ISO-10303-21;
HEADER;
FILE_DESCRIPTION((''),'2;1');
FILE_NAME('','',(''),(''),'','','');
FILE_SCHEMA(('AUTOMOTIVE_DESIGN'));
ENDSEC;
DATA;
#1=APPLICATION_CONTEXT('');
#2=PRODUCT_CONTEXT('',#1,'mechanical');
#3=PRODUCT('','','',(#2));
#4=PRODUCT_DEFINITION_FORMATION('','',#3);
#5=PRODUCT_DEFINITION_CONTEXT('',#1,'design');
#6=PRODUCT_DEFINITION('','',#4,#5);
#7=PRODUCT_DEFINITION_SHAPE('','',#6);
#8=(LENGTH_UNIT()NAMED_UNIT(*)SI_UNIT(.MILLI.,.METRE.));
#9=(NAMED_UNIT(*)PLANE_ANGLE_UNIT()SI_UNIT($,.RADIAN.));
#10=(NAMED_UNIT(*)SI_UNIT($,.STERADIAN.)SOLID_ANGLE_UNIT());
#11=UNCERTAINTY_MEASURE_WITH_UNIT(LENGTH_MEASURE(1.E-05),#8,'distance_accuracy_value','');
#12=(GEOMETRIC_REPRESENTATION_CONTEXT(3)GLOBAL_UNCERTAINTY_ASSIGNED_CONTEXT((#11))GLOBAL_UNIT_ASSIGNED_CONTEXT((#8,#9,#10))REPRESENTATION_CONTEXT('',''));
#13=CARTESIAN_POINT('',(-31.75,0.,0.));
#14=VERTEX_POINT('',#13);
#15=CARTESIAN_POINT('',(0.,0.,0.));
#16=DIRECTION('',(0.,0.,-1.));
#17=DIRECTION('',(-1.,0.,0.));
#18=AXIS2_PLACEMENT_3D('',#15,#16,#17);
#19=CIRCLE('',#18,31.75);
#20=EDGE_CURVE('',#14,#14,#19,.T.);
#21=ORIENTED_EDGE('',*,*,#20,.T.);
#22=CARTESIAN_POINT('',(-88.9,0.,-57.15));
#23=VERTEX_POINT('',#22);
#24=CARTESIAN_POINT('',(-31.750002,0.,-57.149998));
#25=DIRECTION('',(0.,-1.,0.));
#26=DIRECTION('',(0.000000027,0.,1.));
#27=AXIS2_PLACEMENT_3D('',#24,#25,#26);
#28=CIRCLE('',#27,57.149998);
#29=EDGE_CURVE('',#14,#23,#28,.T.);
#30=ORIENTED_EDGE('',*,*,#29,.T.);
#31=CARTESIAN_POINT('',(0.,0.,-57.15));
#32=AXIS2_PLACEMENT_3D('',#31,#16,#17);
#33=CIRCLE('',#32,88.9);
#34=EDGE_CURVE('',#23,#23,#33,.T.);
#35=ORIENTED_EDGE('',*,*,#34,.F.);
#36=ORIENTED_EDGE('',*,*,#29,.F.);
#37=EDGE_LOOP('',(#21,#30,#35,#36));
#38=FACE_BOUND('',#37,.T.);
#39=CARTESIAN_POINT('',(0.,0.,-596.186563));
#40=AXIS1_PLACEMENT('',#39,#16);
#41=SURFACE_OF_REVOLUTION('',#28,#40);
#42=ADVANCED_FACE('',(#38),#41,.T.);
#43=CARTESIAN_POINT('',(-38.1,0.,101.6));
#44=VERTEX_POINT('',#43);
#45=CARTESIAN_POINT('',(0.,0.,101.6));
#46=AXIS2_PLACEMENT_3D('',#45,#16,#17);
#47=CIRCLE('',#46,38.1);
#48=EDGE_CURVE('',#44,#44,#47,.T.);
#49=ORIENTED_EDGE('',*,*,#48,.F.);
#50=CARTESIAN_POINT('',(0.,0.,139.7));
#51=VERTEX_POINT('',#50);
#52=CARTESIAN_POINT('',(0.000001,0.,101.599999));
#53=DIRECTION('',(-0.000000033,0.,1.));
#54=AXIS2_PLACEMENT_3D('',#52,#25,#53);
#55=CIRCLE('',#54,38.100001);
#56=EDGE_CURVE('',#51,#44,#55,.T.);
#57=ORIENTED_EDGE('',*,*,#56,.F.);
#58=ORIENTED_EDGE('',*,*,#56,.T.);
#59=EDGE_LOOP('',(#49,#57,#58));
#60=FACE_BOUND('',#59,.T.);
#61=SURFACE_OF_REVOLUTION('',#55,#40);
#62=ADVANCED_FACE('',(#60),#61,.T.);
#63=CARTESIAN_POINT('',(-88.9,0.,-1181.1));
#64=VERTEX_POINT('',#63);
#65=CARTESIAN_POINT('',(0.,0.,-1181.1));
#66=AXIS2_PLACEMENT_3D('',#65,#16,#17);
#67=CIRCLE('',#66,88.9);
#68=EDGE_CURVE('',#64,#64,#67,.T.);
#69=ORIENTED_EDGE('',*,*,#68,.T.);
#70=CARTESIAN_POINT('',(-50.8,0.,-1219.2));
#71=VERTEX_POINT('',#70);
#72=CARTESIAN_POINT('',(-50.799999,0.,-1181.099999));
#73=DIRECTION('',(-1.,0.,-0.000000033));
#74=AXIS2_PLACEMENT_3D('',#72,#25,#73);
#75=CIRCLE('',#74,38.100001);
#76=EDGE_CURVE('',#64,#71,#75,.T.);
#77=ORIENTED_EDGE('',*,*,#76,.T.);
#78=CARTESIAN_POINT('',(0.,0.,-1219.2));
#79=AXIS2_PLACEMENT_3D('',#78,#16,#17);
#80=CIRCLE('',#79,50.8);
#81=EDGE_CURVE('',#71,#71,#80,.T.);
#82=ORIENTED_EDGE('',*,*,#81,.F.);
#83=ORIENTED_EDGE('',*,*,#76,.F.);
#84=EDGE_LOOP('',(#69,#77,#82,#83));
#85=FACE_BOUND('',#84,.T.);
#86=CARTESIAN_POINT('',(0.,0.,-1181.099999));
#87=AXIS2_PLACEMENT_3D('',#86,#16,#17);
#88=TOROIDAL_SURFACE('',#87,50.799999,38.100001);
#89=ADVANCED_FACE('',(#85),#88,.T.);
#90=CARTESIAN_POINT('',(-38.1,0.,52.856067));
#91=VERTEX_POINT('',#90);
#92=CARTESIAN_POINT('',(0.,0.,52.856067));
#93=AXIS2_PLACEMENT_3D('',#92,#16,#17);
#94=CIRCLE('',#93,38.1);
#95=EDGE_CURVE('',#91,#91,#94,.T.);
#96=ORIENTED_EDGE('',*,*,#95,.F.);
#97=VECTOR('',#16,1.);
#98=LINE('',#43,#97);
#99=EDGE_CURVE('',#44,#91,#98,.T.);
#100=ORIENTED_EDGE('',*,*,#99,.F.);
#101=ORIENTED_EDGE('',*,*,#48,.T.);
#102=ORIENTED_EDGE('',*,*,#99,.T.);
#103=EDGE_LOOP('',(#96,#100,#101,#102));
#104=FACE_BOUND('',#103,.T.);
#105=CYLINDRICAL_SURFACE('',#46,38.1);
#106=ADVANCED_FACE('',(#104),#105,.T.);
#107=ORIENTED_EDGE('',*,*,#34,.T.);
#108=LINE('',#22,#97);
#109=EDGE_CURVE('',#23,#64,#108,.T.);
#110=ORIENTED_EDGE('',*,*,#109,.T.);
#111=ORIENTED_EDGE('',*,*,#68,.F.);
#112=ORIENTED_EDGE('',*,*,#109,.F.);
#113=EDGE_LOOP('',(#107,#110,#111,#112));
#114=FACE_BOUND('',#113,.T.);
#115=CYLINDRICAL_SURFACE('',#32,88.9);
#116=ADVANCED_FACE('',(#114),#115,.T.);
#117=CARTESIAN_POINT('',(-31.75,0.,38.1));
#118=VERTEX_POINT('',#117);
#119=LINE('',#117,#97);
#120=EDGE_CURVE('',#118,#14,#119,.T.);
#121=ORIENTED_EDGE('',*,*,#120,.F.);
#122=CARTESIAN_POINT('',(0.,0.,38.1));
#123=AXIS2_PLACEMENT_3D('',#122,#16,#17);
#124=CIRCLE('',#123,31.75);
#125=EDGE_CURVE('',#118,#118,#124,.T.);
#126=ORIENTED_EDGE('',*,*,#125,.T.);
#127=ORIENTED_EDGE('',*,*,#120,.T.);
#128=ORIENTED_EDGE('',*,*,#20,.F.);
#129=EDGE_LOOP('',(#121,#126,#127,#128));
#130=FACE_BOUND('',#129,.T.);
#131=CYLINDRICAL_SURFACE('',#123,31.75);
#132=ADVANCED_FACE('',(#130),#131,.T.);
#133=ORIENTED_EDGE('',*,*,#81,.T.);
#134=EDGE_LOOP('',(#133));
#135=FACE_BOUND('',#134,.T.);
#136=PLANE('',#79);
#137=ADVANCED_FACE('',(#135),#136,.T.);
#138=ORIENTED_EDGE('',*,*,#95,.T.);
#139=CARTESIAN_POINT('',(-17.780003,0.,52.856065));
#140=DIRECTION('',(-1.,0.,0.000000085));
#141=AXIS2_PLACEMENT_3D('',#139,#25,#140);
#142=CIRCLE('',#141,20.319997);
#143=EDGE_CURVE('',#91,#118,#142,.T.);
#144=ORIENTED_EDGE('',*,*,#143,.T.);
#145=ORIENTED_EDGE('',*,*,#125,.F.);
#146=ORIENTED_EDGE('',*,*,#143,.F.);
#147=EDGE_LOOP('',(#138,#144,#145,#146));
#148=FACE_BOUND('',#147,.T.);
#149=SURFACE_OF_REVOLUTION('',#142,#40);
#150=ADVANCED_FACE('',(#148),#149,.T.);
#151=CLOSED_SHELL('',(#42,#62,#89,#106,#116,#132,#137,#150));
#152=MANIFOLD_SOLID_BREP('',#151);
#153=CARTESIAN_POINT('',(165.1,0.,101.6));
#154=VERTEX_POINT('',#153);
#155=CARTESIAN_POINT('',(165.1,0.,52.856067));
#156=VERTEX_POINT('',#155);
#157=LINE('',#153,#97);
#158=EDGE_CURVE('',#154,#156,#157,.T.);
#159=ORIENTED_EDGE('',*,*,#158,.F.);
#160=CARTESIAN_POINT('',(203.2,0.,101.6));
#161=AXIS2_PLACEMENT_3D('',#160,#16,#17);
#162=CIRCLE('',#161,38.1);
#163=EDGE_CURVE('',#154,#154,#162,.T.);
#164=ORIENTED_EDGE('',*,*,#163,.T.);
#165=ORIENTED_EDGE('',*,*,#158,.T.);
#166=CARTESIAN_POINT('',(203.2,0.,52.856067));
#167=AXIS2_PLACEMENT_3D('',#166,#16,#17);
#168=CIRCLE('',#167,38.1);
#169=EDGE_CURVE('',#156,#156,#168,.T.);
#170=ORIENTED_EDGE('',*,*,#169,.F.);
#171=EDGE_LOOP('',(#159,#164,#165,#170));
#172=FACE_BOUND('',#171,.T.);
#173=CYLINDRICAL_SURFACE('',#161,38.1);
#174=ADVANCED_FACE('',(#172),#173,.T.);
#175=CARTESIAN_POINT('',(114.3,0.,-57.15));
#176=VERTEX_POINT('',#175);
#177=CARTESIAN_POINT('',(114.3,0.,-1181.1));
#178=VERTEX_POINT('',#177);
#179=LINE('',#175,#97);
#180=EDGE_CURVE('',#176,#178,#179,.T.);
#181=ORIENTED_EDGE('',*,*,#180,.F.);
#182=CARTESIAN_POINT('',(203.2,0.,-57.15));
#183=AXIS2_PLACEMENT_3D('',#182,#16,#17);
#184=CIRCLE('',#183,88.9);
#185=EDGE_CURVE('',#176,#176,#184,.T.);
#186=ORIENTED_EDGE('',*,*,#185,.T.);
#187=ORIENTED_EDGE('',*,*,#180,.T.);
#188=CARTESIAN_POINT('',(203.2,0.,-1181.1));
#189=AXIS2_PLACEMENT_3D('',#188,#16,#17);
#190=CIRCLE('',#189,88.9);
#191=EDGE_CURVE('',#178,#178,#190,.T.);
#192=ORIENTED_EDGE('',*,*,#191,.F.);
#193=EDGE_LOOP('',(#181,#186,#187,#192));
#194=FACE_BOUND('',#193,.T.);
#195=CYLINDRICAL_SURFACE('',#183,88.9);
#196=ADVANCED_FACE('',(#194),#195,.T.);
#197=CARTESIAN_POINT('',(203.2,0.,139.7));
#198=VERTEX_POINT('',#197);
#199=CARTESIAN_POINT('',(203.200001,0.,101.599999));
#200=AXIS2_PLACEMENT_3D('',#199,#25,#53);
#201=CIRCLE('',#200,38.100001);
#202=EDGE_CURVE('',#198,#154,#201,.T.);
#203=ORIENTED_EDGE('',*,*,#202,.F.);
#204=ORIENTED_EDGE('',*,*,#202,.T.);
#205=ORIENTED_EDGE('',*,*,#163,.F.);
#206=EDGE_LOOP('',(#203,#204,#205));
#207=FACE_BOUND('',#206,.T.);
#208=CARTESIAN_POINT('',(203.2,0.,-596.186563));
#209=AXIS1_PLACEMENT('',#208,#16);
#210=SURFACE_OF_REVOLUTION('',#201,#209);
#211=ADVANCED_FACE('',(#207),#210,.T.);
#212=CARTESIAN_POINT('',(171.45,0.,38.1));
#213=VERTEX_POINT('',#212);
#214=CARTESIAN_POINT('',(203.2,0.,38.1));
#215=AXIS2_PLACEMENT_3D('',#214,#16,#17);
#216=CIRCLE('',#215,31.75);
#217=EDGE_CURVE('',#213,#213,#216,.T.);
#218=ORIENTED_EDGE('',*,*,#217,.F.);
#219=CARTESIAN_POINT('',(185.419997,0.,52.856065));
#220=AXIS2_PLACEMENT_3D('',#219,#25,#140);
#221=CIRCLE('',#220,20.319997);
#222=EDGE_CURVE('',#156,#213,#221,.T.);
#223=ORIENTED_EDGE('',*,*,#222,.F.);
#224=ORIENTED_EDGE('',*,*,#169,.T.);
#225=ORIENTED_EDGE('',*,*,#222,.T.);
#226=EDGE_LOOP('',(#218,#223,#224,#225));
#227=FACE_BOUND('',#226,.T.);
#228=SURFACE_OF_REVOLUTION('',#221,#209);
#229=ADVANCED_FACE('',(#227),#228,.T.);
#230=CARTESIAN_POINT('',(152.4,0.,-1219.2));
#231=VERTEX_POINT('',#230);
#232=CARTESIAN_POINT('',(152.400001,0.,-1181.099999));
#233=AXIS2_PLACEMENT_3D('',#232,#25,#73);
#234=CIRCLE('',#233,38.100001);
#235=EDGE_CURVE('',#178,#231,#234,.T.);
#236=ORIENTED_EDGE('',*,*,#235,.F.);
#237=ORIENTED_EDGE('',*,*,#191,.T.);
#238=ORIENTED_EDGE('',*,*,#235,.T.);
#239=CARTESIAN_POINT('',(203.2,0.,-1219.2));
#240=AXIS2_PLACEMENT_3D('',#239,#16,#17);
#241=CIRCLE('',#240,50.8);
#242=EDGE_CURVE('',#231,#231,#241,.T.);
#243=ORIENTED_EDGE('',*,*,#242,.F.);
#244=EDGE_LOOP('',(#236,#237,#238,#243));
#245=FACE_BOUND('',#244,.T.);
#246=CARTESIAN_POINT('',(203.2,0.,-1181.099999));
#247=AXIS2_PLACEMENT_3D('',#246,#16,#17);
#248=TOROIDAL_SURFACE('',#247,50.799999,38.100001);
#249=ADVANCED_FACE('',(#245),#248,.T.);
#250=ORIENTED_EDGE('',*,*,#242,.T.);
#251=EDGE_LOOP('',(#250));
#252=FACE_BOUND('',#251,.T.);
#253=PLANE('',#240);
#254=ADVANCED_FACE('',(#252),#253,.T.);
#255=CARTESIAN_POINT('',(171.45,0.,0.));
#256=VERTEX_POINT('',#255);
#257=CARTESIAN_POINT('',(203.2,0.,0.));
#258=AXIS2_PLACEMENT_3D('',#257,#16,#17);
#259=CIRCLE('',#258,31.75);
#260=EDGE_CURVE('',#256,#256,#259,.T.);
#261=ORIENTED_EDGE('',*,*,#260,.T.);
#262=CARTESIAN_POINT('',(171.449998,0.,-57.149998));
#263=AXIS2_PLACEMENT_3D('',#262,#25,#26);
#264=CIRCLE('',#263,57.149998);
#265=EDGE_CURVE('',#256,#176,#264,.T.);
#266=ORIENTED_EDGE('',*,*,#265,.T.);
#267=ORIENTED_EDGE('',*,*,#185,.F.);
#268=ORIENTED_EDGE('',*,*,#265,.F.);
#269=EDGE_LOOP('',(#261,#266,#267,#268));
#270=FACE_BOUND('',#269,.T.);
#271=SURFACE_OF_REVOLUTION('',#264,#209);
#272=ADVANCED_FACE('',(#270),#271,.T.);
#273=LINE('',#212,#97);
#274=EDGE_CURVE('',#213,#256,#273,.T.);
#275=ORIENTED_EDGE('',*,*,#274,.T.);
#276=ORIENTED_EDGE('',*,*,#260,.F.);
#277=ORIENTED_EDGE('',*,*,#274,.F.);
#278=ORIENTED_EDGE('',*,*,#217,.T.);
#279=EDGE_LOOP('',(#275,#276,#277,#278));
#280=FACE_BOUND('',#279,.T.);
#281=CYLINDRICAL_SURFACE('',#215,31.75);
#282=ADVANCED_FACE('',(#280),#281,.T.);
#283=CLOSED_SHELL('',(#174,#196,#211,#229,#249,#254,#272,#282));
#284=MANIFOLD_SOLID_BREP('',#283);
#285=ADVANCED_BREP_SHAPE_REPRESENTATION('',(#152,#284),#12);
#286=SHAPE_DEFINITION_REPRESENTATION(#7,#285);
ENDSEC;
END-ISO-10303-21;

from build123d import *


with BuildPart() as f1:
    # F0 (on Front) → F1 (revolve)
    with BuildSketch(Plane.XZ):
        with BuildLine():
            Line((-50.8, -1219.2), (0, -1219.2))
            Line((0, -1219.2), (0, 139.7))
            ThreePointArc((0, 139.7), (-26.940768, 128.540768), (-38.1, 101.6))
            Line((-38.1, 101.6), (-38.1, 52.856067))
            ThreePointArc((-38.1, 52.856067), (-36.445112, 44.823881), (-31.75, 38.1))
            Line((-31.75, 38.1), (-31.75, 0))
            ThreePointArc((-31.75, 0), (-72.161153, -16.738847), (-88.9, -57.15))
            Line((-88.9, -57.15), (-88.9, -1181.1))
            ThreePointArc((-88.9, -1181.1), (-77.740768, -1208.040768), (-50.8, -1219.2))
        make_face()
    revolve(axis=Axis((0, 0, -596.186563), (0, 0, -1)))


with BuildPart() as f3:
    # F2 (on Front) → F3 (revolve)
    with BuildSketch(Plane.XZ):
        with BuildLine():
            Line((152.4, -1219.2), (203.2, -1219.2))
            Line((203.2, -1219.2), (203.2, 139.7))
            ThreePointArc((203.2, 139.7), (176.259232, 128.540768), (165.1, 101.6))
            Line((165.1, 101.6), (165.1, 52.856067))
            ThreePointArc((165.1, 52.856067), (166.754888, 44.823881), (171.45, 38.1))
            Line((171.45, 38.1), (171.45, 0))
            ThreePointArc((171.45, 0), (131.038847, -16.738847), (114.3, -57.15))
            Line((114.3, -57.15), (114.3, -1181.1))
            ThreePointArc((114.3, -1181.1), (125.459232, -1208.040768), (152.4, -1219.2))
        make_face()
    revolve(axis=Axis((203.2, 0, -596.186563), (0, 0, -1)))


solid = Compound([f1.part, f3.part])
